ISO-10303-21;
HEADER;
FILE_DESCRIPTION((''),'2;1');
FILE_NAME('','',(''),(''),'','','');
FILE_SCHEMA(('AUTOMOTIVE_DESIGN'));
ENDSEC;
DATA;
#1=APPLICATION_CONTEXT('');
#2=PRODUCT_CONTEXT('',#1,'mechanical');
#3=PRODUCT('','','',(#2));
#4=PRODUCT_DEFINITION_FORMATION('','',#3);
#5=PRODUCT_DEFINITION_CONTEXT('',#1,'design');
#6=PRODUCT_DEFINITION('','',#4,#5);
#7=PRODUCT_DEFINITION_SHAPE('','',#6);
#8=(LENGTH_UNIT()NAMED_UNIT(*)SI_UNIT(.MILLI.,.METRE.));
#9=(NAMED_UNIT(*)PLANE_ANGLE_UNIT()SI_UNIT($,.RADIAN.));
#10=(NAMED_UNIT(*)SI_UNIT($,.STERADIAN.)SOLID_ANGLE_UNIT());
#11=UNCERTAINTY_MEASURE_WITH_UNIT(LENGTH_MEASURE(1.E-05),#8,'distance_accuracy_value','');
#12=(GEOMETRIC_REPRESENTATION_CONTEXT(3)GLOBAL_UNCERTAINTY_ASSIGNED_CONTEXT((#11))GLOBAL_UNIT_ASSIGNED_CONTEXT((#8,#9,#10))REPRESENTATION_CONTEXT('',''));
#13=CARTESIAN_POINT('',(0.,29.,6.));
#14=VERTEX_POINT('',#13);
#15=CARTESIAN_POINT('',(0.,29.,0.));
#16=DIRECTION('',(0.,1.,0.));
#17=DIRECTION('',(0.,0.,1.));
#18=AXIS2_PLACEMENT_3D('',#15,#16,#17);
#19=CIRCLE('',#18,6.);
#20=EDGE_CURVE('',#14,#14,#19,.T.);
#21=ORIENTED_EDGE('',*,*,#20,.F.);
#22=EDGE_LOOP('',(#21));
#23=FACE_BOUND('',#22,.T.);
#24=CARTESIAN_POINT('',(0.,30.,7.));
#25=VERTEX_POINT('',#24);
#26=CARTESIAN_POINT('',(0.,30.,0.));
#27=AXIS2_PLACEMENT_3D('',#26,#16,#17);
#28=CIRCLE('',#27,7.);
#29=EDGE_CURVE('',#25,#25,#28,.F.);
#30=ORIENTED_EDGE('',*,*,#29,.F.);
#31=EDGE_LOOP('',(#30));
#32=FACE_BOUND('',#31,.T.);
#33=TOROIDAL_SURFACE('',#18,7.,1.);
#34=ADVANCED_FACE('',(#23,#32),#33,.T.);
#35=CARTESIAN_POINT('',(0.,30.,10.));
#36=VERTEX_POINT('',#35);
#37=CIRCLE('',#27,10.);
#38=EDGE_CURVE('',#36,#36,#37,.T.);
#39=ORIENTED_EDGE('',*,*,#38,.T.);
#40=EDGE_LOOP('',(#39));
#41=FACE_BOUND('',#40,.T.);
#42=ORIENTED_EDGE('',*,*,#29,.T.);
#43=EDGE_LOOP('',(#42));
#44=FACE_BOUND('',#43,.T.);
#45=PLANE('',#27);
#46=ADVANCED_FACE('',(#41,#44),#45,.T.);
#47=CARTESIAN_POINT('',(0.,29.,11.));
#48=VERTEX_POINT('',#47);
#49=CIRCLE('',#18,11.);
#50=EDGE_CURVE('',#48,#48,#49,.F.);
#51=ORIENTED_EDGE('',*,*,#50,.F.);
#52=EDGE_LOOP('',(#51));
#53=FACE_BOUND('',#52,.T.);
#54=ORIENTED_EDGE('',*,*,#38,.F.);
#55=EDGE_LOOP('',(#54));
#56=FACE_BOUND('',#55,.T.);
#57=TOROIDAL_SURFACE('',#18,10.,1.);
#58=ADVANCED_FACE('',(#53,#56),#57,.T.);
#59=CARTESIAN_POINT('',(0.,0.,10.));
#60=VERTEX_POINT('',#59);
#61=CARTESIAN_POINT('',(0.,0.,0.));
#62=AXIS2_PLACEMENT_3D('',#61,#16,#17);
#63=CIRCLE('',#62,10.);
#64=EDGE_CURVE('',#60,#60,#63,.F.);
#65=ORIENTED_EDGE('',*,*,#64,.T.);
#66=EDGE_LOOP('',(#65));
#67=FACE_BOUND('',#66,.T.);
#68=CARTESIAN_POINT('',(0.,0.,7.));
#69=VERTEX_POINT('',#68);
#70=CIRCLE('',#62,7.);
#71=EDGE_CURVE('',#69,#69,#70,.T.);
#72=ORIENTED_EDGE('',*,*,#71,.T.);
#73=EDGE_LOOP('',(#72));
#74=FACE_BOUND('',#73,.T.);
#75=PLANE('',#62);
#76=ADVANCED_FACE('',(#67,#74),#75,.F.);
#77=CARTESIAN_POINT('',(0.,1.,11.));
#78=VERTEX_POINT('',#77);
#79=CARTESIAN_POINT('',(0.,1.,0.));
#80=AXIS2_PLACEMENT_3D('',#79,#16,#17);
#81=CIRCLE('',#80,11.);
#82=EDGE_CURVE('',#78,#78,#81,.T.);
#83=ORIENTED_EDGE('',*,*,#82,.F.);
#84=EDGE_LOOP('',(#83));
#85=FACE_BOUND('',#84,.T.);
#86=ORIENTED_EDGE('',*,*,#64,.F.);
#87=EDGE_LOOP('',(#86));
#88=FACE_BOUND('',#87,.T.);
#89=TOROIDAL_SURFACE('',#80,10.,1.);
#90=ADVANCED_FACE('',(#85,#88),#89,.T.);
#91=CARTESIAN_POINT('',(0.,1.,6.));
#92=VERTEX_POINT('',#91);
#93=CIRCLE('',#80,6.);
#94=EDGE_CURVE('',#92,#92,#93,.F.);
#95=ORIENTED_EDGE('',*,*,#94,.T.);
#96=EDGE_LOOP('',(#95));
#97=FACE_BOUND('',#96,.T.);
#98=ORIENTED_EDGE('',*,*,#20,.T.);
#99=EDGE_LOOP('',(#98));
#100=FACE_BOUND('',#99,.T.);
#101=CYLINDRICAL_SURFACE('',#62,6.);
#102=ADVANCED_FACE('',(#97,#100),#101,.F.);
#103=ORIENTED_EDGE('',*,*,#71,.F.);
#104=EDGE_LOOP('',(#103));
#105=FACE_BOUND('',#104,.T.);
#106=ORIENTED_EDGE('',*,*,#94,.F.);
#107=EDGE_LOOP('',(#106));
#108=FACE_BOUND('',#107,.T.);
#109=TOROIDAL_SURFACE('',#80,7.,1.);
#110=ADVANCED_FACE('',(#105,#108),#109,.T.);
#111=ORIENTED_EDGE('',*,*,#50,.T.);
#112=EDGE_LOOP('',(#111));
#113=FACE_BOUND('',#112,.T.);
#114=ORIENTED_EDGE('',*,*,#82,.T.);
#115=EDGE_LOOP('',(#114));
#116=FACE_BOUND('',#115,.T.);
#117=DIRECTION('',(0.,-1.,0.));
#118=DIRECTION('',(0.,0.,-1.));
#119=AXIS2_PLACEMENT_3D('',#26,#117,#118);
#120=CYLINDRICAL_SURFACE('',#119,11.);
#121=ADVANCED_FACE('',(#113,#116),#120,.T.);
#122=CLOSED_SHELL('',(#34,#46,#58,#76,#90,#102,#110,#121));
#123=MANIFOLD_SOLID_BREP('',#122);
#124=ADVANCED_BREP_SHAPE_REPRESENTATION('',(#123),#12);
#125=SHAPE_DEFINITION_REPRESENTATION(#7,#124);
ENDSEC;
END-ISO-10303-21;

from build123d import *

# Parameters (mm, degrees)
SKETCH1_R           = 11
BOSS_EXTRUDE1_DEPTH = 30
SKETCH2_R           = 6
CUT_EXTRUDE1_DEPTH  = 34.793490497
FILLET2_R           = 1


with BuildPart() as part:
    # Sketch1 → Boss-Extrude1 (new body)
    with BuildSketch(Plane(origin=(0, 0, 0), x_dir=(1, 0, 0), z_dir=(0, 1, 0))):
        with Locations(Location((0, 0, 0), (0, 0, 270))):
            Circle(SKETCH1_R)
    extrude(amount=BOSS_EXTRUDE1_DEPTH)

    # Sketch2 → Cut-Extrude1 (cut, through all)
    with BuildSketch(Plane(origin=(0, 30, 0), x_dir=(1, 0, 0), z_dir=(0, 1, 0))):
        with Locations(Location((0, 0, 0), (0, 0, 270))):
            Circle(SKETCH2_R)
    extrude(amount=-CUT_EXTRUDE1_DEPTH, mode=Mode.SUBTRACT)

    # Fillet2
    fillet2_edges = [part.edges().sort_by_distance(p)[0] for p in [
        (0, 0, -11),
        (0, 30, -11),
        (0, 0, -6),
        (0, 30, -6),
    ]]
    fillet(fillet2_edges, radius=FILLET2_R)


solid = part.part
